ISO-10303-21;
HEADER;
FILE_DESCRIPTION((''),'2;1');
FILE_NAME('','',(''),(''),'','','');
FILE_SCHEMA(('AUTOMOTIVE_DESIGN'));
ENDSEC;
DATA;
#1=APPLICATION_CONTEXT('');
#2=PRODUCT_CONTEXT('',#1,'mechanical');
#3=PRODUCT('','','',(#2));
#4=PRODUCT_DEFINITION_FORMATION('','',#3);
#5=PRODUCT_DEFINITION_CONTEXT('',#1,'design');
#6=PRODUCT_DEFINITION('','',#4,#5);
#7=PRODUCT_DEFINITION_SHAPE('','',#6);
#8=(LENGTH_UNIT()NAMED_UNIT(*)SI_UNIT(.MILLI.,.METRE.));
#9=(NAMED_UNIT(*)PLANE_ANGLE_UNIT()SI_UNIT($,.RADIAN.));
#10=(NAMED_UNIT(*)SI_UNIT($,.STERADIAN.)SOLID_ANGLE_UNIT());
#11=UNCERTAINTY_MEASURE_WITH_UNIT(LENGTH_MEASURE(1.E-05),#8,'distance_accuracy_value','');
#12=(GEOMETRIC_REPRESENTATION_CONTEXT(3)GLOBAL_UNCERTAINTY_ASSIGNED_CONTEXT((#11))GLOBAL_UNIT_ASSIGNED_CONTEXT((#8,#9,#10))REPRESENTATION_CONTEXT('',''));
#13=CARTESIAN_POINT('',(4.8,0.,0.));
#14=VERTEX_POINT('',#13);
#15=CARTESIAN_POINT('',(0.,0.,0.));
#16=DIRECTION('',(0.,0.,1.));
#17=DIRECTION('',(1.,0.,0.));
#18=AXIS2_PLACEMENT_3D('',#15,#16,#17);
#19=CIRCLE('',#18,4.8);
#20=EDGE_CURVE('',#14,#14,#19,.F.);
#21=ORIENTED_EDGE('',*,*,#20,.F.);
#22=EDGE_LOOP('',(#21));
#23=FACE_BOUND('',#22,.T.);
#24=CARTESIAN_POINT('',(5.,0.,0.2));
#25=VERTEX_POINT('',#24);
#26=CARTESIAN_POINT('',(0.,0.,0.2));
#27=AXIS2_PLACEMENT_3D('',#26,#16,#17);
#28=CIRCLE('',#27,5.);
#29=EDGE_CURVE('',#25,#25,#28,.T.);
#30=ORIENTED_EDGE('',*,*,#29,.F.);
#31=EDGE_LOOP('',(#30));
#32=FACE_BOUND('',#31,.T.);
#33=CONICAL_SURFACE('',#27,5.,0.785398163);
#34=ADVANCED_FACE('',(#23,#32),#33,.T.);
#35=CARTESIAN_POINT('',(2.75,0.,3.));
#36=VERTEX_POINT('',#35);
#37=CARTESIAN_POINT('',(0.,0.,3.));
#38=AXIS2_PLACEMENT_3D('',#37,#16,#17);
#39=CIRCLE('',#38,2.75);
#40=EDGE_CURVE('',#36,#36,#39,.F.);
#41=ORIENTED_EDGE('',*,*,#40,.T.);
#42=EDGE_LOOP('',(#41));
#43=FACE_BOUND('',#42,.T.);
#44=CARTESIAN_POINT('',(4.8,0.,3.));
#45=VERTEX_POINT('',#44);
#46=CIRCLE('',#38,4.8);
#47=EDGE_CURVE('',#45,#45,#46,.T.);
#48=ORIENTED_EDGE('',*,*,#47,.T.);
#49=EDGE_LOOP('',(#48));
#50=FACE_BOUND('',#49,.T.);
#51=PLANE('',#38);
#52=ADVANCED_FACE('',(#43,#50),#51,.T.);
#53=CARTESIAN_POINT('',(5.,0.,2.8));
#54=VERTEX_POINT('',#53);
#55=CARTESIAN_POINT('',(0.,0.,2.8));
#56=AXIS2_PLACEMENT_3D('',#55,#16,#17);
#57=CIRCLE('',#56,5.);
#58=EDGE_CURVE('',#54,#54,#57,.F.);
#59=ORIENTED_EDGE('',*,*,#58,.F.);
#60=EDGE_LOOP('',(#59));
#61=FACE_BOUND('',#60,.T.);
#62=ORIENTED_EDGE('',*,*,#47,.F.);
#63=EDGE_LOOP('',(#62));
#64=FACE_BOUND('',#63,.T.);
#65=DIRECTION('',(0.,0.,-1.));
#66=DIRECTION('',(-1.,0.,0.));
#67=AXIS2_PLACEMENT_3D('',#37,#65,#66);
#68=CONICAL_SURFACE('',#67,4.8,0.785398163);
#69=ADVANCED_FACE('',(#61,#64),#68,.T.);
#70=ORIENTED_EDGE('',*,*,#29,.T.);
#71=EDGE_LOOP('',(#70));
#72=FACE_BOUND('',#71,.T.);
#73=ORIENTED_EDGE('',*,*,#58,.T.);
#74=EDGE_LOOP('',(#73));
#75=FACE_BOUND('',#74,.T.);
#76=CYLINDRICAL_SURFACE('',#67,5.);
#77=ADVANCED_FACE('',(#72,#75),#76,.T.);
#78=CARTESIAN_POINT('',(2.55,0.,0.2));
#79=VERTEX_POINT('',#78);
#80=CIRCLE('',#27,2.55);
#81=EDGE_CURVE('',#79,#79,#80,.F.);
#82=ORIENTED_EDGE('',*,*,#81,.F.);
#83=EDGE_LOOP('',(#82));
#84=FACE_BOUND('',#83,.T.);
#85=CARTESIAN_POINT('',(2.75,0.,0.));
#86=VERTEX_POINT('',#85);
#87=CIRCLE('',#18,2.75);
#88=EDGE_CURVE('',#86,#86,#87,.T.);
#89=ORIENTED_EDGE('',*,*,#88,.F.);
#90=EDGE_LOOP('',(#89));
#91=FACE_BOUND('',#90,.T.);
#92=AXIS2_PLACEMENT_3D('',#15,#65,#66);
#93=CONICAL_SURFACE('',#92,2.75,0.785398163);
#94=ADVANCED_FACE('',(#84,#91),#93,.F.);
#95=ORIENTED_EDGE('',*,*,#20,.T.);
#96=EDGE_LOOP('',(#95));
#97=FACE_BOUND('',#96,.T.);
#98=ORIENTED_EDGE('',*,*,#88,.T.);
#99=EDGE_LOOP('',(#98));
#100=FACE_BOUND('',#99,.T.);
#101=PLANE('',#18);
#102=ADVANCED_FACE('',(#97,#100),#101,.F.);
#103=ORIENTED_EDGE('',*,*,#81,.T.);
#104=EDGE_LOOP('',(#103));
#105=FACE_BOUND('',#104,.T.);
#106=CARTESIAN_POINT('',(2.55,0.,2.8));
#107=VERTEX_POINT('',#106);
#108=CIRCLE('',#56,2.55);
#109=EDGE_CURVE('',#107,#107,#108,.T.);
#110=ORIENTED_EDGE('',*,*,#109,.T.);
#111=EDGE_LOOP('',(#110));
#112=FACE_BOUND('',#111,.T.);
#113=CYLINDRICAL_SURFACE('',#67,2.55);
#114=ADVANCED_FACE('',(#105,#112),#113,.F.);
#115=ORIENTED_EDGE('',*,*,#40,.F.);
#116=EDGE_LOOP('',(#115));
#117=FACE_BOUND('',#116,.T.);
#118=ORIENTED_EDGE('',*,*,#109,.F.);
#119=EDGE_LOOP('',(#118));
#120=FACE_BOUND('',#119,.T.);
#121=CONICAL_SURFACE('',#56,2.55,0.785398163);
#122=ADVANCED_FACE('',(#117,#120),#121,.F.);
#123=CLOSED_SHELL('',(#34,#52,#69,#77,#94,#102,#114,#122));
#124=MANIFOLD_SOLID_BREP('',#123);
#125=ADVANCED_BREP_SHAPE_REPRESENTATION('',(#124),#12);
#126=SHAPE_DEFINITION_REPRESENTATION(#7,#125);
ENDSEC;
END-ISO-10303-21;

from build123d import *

# Parameters (mm, degrees)
SKETCH1_R           = 5
SKETCH1_R_2         = 2.55
BOSS_EXTRUDE1_DEPTH = 3
CHAMFER1_SIZE       = 0.2


with BuildPart() as part:
    # Sketch1 → Boss-Extrude1 (new body)
    with BuildSketch(Plane.XY):
        Circle(SKETCH1_R)
        Circle(SKETCH1_R_2, mode=Mode.SUBTRACT)
    extrude(amount=BOSS_EXTRUDE1_DEPTH)

    # Chamfer1
    chamfer1_edges = [part.edges().sort_by_distance(p)[0] for p in [
        (-5, 0, 0),
        (-5, 0, 3),
        (-2.55, 0, 0),
        (-2.55, 0, 3),
    ]]
    chamfer(chamfer1_edges, length=CHAMFER1_SIZE)


solid = part.part
